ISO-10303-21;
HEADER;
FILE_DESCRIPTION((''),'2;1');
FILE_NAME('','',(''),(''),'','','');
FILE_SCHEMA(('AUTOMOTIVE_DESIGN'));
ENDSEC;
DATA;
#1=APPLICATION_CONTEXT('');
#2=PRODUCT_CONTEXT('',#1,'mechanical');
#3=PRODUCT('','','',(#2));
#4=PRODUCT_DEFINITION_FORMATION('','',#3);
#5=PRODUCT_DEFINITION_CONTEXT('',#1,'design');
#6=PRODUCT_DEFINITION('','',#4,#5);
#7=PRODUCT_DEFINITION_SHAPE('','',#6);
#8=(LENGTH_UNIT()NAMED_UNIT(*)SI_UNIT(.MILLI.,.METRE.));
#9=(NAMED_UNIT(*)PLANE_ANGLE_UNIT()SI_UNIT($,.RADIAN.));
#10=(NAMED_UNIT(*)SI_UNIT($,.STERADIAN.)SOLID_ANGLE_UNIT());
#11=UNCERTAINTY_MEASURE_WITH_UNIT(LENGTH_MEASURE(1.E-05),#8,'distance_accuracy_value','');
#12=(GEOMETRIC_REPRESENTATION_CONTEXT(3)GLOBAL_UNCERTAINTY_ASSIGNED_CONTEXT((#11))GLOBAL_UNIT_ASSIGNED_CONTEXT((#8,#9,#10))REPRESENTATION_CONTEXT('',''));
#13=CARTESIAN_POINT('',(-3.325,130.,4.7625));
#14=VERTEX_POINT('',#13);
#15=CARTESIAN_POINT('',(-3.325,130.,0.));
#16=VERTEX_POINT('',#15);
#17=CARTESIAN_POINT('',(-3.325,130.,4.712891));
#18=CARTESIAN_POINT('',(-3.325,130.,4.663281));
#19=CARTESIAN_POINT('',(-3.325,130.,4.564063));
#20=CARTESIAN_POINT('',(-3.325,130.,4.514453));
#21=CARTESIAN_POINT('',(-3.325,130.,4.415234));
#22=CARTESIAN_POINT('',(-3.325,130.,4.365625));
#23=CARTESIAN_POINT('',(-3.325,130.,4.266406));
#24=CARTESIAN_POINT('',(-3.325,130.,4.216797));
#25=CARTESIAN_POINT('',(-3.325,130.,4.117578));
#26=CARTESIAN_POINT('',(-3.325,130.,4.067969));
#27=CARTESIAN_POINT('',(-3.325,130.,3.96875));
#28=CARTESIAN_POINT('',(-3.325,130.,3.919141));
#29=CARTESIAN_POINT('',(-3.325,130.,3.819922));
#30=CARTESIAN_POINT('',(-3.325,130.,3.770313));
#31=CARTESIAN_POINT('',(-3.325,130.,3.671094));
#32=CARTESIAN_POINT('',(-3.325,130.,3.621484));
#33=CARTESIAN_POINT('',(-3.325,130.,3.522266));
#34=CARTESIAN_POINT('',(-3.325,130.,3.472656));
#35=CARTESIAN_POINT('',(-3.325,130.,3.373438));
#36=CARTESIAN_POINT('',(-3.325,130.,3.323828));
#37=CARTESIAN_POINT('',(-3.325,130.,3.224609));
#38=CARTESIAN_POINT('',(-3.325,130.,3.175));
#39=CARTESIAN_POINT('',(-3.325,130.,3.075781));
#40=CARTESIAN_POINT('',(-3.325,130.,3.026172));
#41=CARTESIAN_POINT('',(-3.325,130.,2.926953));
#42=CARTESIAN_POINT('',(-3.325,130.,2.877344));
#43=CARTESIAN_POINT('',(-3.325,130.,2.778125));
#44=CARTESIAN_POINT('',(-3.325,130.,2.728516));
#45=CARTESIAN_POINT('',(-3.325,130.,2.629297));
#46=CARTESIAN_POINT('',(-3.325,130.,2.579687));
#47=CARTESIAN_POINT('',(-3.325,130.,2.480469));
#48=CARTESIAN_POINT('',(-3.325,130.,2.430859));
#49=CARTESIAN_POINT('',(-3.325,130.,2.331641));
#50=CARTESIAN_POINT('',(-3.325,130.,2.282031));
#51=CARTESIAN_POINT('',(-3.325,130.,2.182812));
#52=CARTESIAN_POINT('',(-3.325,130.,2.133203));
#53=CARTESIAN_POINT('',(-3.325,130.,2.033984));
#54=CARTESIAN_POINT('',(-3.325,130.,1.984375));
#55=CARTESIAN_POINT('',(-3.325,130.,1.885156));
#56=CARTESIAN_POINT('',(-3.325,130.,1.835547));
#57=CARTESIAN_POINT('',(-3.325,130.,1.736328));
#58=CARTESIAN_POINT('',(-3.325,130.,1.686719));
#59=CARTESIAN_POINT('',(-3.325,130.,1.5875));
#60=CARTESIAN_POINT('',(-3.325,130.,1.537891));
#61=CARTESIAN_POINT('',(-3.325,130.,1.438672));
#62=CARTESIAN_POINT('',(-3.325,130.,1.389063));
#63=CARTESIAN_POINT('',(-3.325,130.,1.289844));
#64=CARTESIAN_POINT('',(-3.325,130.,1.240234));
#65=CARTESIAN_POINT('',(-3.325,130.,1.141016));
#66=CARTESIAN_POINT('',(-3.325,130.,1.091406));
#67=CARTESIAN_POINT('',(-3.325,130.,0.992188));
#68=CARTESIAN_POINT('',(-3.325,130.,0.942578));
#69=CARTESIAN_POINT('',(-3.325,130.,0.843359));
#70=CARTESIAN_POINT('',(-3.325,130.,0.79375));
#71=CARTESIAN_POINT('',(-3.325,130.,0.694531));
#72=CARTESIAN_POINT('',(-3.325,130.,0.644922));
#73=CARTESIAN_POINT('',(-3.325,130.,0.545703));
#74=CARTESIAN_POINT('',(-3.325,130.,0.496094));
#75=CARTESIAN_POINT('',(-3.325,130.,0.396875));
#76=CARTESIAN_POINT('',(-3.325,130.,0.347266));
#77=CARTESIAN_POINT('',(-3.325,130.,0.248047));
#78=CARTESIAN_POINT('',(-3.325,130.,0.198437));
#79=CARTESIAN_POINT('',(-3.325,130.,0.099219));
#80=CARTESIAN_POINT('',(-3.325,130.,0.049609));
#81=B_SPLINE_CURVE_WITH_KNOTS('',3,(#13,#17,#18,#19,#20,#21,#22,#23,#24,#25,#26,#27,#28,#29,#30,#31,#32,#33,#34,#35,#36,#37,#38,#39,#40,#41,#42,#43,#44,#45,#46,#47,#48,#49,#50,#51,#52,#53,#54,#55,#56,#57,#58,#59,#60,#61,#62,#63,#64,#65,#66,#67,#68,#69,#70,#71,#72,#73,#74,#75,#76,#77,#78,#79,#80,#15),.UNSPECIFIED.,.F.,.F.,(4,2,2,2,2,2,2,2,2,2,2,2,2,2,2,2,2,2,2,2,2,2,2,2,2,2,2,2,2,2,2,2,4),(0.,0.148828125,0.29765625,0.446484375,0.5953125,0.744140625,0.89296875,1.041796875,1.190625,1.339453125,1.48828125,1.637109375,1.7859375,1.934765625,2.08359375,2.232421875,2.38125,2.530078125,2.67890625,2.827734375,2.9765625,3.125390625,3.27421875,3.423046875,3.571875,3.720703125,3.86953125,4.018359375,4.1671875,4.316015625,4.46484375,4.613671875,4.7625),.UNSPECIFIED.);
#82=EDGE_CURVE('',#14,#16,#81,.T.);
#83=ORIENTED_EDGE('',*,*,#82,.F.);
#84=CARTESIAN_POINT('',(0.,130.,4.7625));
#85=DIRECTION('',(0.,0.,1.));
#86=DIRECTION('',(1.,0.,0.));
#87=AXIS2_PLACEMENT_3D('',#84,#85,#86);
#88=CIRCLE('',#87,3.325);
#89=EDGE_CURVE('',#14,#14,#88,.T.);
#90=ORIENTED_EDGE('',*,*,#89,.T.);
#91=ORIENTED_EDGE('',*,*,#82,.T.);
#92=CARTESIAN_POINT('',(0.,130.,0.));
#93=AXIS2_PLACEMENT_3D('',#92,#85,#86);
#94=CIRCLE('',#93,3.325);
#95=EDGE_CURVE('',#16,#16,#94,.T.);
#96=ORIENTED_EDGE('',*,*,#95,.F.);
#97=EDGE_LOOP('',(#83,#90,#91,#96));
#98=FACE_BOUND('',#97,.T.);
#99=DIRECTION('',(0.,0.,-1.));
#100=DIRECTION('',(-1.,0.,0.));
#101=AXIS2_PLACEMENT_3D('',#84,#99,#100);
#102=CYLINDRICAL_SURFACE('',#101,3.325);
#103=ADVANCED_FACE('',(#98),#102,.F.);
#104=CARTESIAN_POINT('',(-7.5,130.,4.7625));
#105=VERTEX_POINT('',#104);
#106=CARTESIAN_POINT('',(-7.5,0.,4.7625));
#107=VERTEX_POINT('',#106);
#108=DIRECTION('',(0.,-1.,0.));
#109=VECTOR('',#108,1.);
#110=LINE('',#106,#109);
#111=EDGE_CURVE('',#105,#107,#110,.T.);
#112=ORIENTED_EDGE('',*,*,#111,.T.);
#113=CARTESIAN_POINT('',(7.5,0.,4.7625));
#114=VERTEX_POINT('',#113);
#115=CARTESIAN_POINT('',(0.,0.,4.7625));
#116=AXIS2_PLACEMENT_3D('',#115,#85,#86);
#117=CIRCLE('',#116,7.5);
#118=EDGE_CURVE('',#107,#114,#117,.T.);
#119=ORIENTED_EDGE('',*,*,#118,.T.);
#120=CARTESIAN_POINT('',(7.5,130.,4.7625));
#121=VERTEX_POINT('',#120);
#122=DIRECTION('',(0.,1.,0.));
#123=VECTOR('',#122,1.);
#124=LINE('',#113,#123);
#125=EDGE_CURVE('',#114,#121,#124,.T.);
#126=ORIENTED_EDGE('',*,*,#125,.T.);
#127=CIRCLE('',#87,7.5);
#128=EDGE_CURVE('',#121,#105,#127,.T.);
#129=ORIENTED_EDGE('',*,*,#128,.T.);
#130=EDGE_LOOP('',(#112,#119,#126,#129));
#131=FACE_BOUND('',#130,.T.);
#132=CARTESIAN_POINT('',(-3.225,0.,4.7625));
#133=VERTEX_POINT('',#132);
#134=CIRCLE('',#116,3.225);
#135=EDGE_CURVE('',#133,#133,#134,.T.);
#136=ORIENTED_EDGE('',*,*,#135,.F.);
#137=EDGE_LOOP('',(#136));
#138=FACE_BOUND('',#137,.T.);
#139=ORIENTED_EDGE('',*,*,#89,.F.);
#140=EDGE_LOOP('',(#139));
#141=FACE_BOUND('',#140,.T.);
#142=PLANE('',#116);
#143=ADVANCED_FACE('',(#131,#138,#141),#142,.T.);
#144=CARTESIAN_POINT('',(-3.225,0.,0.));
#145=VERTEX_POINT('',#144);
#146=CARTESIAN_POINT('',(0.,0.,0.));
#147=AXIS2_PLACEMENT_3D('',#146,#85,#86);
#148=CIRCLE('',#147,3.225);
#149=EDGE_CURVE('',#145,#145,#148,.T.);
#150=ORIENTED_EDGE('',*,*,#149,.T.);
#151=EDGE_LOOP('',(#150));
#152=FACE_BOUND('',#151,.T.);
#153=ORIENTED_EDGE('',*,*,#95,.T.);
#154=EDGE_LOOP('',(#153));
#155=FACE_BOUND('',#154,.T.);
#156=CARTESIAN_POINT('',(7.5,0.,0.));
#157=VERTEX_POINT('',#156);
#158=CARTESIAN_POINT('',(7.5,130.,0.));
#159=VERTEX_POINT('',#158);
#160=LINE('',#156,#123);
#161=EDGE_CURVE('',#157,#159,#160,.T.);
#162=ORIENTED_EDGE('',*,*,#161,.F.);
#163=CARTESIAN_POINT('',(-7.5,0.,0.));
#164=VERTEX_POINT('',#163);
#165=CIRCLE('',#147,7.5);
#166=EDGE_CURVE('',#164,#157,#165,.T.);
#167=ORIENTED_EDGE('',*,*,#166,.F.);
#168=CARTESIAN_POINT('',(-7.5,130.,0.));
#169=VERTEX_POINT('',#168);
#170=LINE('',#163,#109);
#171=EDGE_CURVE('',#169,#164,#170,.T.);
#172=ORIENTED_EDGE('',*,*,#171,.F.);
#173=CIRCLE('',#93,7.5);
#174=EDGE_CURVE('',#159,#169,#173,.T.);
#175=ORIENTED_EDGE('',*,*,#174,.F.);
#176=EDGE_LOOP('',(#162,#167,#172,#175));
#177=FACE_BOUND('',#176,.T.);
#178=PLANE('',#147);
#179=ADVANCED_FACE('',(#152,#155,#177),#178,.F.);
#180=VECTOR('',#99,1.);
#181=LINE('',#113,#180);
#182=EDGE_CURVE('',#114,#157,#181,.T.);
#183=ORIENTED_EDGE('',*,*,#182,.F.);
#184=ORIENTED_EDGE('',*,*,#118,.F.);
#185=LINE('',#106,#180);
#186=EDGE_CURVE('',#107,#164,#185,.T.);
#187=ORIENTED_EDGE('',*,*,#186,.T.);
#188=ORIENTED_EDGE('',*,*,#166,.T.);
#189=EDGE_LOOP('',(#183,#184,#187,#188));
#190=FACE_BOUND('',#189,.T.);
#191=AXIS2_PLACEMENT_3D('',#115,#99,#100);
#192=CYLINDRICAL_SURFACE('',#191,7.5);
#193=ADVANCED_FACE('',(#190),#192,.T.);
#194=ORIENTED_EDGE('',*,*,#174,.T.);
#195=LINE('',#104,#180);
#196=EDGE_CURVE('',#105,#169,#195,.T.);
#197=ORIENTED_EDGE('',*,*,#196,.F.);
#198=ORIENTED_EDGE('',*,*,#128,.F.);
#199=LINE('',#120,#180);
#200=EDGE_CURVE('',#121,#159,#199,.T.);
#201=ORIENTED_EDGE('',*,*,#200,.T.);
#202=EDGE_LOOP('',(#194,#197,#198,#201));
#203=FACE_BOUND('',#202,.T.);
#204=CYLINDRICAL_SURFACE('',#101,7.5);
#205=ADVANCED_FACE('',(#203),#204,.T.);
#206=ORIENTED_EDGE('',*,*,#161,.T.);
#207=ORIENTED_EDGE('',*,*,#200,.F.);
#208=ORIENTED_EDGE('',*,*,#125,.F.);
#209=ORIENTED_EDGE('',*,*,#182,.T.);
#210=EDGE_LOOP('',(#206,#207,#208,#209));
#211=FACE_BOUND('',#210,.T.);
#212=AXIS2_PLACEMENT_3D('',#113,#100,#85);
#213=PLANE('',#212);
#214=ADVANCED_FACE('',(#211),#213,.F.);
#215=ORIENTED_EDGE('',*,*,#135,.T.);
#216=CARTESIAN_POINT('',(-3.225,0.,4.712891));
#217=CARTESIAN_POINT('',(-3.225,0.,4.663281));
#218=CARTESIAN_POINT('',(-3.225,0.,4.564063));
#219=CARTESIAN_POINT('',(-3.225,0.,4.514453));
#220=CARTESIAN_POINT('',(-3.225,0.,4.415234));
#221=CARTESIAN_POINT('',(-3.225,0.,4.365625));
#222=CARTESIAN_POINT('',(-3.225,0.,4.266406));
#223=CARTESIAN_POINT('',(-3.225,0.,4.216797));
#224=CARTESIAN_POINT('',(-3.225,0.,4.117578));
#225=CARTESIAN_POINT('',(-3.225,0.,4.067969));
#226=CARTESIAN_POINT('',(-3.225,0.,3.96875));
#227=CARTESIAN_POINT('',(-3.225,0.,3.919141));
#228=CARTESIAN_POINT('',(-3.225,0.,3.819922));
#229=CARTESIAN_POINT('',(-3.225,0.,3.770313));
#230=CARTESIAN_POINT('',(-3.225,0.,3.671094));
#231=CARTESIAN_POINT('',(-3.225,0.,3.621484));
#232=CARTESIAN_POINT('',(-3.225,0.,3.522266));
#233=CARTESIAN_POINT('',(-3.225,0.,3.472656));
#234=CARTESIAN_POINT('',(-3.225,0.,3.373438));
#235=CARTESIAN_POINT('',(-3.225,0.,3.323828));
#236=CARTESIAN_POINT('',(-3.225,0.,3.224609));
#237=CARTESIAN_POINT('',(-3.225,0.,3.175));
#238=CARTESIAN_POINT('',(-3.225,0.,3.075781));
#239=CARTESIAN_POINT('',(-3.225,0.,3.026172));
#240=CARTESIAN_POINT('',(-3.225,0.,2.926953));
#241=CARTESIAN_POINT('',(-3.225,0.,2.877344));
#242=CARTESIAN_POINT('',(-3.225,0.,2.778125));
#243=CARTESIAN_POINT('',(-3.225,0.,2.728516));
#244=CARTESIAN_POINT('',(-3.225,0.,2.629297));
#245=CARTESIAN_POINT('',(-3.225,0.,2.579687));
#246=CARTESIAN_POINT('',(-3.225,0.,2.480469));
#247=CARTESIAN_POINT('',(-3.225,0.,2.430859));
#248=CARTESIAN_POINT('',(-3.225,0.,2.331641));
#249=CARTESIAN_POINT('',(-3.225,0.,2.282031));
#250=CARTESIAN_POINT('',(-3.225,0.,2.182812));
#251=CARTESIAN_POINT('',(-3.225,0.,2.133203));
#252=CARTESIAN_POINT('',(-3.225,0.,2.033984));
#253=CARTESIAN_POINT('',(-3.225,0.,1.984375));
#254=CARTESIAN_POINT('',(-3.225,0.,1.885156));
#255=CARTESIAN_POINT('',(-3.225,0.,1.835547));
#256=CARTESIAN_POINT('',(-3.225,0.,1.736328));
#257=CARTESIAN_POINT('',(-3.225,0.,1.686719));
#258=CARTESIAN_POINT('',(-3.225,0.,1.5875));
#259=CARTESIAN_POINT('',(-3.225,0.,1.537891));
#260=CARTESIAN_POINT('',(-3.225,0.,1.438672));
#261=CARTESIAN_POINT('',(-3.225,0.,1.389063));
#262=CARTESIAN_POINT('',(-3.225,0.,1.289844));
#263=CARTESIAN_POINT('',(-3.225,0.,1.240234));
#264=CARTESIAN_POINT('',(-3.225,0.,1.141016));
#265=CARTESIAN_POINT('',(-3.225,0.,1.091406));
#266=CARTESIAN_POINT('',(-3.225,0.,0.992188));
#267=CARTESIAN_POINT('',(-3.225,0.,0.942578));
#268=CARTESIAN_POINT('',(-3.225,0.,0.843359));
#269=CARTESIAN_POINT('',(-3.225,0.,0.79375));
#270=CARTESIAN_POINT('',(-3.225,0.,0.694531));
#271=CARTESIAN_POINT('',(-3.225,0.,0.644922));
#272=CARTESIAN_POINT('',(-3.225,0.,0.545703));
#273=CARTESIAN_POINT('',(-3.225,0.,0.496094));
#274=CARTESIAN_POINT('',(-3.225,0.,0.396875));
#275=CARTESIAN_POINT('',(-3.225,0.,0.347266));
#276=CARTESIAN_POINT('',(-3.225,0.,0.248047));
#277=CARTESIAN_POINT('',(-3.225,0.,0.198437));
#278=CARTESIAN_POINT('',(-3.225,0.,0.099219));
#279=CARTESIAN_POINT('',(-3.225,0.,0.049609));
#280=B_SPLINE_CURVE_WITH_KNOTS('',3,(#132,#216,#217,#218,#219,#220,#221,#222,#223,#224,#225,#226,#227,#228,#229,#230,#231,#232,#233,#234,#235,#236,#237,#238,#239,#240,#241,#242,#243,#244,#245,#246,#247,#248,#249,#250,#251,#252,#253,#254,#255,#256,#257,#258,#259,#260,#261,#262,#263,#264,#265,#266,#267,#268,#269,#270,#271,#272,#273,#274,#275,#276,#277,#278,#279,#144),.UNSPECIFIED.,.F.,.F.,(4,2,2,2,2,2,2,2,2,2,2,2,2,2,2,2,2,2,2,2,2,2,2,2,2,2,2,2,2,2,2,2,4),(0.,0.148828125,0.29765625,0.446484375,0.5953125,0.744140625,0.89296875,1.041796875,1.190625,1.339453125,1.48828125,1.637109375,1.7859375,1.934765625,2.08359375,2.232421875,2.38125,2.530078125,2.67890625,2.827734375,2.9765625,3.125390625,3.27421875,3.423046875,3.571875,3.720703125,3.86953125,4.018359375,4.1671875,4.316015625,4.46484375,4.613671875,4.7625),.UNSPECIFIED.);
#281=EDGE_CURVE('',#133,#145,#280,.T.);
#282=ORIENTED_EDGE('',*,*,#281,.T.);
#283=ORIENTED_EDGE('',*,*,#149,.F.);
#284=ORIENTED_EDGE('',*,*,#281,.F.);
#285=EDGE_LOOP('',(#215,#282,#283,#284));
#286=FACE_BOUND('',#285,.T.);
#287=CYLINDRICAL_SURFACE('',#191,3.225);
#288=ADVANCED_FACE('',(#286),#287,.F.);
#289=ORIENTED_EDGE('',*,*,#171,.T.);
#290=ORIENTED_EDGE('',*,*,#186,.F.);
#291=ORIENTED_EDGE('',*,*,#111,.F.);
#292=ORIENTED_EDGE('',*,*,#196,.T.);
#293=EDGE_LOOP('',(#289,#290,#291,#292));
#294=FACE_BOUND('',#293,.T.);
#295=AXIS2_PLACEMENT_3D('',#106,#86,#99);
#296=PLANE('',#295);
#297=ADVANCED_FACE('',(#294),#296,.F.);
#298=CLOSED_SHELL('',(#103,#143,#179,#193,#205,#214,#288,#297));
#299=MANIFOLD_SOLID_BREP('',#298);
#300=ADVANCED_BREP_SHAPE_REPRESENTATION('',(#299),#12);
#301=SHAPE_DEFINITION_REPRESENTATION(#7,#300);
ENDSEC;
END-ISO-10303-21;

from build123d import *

# Parameters (mm, degrees)
ESBO_O1_R                = 3.325
ESBO_O1_R_2              = 3.225
RESSALTO_EXTRUS_O1_DEPTH = 4.7625


with BuildPart() as part:
    # Esboço1 → Ressalto-extrusão1 (new body)
    with BuildSketch(Plane.XY):
        with BuildLine():
            Line((-7.5, 0), (-7.5, 130))
            ThreePointArc((-7.5, 130), (0, 137.5), (7.5, 130))
            Line((7.5, 130), (7.5, 0))
            ThreePointArc((7.5, 0), (0, -7.5), (-7.5, 0))
        make_face()
        with Locations(Location((0, 130, 0), (0, 0, 180))):
            Circle(ESBO_O1_R, mode=Mode.SUBTRACT)
        with Locations(Location((0, 0, 0), (0, 0, 180))):
            Circle(ESBO_O1_R_2, mode=Mode.SUBTRACT)
    extrude(amount=RESSALTO_EXTRUS_O1_DEPTH)


solid = part.part
